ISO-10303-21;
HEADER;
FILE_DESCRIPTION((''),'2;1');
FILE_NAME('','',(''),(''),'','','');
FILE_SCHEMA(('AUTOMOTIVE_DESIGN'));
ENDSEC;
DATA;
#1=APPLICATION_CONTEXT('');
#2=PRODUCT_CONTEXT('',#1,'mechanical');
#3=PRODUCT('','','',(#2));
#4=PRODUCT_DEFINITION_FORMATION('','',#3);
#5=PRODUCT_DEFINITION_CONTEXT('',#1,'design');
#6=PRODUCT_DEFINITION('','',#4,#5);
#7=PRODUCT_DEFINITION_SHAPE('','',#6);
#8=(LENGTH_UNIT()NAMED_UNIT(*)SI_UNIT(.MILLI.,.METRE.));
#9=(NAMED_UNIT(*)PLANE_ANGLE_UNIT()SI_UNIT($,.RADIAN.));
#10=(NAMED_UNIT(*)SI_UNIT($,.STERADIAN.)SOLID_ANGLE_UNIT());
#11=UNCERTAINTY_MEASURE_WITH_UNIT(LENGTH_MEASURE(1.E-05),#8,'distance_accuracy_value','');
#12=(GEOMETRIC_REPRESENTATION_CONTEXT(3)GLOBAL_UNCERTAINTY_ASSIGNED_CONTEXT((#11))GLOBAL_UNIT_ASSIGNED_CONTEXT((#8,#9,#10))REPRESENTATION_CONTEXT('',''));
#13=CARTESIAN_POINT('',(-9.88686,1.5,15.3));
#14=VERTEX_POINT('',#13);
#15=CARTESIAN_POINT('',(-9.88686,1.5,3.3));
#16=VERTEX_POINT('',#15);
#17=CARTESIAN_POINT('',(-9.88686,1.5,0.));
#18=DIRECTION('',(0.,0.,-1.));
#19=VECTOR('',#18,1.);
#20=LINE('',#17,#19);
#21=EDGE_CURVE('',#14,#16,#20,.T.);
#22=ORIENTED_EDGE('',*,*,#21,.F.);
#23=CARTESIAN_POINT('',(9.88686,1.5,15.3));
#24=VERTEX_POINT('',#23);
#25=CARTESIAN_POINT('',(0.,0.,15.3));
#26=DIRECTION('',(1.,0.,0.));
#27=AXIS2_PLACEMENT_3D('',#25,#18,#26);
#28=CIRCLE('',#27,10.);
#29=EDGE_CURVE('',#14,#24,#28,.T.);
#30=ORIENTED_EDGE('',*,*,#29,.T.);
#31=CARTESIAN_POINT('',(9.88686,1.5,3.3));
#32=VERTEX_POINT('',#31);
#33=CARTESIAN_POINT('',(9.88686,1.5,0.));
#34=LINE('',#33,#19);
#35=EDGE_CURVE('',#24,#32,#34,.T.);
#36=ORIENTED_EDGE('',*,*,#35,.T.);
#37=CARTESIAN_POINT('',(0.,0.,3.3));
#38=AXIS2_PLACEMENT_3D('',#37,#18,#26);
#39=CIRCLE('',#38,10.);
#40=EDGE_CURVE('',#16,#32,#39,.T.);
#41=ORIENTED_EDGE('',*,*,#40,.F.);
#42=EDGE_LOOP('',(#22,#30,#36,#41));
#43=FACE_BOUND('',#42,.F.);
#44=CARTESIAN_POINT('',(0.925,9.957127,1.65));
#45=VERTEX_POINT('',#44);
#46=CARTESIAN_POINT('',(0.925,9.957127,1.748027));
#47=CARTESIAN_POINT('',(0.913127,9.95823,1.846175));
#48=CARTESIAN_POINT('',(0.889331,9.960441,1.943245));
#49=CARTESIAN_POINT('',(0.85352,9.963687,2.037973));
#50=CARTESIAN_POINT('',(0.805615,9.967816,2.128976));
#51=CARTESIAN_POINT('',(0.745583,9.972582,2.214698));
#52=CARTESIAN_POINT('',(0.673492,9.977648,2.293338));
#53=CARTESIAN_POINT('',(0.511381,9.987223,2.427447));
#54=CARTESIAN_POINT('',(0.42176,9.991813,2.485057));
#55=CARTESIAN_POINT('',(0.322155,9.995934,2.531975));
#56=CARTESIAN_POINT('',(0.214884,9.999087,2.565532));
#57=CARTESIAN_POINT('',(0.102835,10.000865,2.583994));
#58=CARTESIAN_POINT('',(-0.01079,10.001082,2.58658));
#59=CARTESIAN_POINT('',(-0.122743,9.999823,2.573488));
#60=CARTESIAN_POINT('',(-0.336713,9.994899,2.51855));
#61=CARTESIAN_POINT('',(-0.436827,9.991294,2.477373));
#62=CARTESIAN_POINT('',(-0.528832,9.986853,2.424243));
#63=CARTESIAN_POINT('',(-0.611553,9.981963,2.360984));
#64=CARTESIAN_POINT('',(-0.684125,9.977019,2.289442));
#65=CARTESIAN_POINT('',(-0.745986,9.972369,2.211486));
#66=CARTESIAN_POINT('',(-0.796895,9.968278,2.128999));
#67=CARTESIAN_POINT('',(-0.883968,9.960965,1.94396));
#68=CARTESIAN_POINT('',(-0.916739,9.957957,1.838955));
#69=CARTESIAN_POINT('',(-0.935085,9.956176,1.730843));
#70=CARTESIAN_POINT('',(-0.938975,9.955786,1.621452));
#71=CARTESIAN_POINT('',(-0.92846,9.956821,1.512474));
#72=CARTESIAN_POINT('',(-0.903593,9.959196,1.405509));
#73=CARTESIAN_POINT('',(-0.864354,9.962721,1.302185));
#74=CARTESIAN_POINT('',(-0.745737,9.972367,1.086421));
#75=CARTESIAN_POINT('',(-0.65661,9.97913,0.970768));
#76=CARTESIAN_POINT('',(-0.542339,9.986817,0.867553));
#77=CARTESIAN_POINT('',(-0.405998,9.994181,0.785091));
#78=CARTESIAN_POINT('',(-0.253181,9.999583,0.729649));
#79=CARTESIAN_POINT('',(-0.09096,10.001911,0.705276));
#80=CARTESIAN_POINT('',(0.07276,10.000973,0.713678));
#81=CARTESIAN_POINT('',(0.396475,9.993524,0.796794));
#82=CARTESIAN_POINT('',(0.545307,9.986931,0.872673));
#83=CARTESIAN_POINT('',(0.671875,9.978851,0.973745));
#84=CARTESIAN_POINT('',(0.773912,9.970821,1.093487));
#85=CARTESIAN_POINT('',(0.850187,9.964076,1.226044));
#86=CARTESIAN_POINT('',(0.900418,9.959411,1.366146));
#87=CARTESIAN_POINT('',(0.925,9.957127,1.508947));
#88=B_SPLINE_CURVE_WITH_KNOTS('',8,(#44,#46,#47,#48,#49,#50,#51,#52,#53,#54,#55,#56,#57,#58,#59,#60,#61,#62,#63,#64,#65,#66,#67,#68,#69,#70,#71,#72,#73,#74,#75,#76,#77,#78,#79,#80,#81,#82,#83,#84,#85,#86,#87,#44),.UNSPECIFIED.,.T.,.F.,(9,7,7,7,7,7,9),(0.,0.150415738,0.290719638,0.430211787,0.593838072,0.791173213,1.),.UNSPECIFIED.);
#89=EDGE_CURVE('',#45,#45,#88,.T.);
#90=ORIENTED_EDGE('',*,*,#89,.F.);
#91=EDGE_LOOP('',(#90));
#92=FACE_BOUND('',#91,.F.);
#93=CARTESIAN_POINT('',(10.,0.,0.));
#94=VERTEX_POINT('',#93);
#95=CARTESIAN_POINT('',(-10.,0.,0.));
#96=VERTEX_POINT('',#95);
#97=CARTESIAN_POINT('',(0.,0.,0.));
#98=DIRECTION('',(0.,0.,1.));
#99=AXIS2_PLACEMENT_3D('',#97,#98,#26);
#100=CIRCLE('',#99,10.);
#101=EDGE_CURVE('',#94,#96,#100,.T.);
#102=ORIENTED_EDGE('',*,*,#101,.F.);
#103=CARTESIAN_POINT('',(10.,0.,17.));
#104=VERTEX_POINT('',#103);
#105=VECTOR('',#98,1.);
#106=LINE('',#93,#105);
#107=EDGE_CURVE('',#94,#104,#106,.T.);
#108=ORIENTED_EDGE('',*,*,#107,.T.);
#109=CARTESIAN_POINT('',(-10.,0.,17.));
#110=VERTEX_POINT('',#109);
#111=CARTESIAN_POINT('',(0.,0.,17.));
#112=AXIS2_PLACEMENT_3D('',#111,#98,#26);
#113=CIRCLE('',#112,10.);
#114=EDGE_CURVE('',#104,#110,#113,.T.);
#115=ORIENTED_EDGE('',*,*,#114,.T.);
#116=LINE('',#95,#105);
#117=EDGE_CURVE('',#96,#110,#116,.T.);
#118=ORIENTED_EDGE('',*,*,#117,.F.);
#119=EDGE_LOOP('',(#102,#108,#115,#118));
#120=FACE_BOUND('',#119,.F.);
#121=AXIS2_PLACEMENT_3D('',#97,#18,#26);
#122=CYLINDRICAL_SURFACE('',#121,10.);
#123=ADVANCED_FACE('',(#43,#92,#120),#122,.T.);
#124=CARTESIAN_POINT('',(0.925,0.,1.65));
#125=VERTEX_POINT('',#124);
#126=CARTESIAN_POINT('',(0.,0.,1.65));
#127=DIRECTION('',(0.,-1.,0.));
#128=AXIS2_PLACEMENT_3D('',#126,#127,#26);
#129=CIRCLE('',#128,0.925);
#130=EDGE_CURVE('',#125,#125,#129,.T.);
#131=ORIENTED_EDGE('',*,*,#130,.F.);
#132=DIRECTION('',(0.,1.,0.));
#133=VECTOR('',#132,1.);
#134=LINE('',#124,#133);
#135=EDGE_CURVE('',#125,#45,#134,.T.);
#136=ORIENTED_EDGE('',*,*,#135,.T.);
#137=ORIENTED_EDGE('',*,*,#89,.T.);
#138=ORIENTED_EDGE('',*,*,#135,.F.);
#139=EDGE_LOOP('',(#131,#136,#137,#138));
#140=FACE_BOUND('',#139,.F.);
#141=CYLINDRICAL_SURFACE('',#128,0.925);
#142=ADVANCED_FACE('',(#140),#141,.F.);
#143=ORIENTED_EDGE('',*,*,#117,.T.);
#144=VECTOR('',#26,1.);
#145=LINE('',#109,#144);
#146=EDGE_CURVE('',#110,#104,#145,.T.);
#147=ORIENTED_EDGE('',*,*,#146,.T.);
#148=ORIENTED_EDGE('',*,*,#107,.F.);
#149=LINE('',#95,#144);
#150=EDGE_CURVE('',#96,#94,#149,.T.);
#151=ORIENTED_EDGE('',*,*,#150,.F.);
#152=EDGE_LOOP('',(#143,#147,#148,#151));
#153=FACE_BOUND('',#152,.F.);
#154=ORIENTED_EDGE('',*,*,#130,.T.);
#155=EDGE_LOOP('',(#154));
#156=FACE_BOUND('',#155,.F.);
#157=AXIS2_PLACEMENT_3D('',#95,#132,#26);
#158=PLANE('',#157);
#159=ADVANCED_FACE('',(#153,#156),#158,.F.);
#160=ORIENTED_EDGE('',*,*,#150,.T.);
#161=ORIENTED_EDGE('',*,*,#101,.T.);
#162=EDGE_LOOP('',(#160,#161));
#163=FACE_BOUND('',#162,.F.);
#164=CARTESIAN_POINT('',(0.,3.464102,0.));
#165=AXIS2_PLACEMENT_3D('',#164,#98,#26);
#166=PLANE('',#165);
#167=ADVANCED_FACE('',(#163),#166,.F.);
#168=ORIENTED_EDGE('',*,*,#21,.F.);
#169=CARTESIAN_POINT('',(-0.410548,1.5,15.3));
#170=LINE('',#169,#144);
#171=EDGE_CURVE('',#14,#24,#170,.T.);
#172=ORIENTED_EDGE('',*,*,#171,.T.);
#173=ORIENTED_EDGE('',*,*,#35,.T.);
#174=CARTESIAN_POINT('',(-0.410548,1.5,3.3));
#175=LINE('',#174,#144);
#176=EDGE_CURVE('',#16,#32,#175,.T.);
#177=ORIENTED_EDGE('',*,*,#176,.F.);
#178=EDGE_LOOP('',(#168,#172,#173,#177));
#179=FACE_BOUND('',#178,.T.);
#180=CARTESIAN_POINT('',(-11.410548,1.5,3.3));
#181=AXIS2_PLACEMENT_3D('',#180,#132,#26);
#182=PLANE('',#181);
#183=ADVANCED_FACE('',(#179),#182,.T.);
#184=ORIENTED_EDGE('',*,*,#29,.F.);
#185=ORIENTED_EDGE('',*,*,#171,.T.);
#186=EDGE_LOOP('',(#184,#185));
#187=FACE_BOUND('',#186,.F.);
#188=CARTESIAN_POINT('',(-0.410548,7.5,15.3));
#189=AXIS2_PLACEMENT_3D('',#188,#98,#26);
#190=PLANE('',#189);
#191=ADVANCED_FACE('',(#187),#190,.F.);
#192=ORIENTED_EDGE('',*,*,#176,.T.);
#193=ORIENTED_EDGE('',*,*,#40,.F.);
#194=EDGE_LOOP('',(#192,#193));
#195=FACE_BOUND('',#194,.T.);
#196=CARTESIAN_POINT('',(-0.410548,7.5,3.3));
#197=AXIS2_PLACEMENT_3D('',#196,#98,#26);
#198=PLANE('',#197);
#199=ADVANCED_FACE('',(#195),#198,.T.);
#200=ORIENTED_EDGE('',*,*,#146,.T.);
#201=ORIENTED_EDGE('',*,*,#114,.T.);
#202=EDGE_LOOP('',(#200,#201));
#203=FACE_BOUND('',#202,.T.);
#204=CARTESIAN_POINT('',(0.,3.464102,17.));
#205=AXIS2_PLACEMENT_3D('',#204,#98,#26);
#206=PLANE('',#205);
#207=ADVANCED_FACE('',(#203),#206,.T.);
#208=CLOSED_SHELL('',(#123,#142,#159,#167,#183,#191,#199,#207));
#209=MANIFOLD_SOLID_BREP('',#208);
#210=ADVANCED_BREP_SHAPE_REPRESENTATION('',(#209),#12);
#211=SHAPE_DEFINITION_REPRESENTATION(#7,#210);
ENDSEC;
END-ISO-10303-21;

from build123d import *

# Parameters (mm, degrees)
F1_DEPTH = 17
F3_W     = 22
F3_H     = 12
F4_DEPTH = 12
F5_R     = 0.925
F6_DEPTH = 12


with BuildPart() as f1:
    # F0 (on Top) → F1 (new body)
    with BuildSketch(Plane.XY):
        with BuildLine():
            Line((-10, 0), (10, 0))
            ThreePointArc((10, 0), (0, 10), (-10, 0))
        make_face()
    extrude(amount=F1_DEPTH)

    # F3 (on offset) → F4 (cut)
    with BuildSketch(Plane.XY.offset(3.3)):
        with Locations((-0.410548, 7.5)):
            Rectangle(F3_W, F3_H)
    extrude(amount=F4_DEPTH, mode=Mode.SUBTRACT)

    # F5 (on Front) → F6 (cut)
    with BuildSketch(Plane.XZ):
        with Locations((0, 1.65)):
            Circle(F5_R)
    extrude(amount=-F6_DEPTH, mode=Mode.SUBTRACT)


solid = f1.part
